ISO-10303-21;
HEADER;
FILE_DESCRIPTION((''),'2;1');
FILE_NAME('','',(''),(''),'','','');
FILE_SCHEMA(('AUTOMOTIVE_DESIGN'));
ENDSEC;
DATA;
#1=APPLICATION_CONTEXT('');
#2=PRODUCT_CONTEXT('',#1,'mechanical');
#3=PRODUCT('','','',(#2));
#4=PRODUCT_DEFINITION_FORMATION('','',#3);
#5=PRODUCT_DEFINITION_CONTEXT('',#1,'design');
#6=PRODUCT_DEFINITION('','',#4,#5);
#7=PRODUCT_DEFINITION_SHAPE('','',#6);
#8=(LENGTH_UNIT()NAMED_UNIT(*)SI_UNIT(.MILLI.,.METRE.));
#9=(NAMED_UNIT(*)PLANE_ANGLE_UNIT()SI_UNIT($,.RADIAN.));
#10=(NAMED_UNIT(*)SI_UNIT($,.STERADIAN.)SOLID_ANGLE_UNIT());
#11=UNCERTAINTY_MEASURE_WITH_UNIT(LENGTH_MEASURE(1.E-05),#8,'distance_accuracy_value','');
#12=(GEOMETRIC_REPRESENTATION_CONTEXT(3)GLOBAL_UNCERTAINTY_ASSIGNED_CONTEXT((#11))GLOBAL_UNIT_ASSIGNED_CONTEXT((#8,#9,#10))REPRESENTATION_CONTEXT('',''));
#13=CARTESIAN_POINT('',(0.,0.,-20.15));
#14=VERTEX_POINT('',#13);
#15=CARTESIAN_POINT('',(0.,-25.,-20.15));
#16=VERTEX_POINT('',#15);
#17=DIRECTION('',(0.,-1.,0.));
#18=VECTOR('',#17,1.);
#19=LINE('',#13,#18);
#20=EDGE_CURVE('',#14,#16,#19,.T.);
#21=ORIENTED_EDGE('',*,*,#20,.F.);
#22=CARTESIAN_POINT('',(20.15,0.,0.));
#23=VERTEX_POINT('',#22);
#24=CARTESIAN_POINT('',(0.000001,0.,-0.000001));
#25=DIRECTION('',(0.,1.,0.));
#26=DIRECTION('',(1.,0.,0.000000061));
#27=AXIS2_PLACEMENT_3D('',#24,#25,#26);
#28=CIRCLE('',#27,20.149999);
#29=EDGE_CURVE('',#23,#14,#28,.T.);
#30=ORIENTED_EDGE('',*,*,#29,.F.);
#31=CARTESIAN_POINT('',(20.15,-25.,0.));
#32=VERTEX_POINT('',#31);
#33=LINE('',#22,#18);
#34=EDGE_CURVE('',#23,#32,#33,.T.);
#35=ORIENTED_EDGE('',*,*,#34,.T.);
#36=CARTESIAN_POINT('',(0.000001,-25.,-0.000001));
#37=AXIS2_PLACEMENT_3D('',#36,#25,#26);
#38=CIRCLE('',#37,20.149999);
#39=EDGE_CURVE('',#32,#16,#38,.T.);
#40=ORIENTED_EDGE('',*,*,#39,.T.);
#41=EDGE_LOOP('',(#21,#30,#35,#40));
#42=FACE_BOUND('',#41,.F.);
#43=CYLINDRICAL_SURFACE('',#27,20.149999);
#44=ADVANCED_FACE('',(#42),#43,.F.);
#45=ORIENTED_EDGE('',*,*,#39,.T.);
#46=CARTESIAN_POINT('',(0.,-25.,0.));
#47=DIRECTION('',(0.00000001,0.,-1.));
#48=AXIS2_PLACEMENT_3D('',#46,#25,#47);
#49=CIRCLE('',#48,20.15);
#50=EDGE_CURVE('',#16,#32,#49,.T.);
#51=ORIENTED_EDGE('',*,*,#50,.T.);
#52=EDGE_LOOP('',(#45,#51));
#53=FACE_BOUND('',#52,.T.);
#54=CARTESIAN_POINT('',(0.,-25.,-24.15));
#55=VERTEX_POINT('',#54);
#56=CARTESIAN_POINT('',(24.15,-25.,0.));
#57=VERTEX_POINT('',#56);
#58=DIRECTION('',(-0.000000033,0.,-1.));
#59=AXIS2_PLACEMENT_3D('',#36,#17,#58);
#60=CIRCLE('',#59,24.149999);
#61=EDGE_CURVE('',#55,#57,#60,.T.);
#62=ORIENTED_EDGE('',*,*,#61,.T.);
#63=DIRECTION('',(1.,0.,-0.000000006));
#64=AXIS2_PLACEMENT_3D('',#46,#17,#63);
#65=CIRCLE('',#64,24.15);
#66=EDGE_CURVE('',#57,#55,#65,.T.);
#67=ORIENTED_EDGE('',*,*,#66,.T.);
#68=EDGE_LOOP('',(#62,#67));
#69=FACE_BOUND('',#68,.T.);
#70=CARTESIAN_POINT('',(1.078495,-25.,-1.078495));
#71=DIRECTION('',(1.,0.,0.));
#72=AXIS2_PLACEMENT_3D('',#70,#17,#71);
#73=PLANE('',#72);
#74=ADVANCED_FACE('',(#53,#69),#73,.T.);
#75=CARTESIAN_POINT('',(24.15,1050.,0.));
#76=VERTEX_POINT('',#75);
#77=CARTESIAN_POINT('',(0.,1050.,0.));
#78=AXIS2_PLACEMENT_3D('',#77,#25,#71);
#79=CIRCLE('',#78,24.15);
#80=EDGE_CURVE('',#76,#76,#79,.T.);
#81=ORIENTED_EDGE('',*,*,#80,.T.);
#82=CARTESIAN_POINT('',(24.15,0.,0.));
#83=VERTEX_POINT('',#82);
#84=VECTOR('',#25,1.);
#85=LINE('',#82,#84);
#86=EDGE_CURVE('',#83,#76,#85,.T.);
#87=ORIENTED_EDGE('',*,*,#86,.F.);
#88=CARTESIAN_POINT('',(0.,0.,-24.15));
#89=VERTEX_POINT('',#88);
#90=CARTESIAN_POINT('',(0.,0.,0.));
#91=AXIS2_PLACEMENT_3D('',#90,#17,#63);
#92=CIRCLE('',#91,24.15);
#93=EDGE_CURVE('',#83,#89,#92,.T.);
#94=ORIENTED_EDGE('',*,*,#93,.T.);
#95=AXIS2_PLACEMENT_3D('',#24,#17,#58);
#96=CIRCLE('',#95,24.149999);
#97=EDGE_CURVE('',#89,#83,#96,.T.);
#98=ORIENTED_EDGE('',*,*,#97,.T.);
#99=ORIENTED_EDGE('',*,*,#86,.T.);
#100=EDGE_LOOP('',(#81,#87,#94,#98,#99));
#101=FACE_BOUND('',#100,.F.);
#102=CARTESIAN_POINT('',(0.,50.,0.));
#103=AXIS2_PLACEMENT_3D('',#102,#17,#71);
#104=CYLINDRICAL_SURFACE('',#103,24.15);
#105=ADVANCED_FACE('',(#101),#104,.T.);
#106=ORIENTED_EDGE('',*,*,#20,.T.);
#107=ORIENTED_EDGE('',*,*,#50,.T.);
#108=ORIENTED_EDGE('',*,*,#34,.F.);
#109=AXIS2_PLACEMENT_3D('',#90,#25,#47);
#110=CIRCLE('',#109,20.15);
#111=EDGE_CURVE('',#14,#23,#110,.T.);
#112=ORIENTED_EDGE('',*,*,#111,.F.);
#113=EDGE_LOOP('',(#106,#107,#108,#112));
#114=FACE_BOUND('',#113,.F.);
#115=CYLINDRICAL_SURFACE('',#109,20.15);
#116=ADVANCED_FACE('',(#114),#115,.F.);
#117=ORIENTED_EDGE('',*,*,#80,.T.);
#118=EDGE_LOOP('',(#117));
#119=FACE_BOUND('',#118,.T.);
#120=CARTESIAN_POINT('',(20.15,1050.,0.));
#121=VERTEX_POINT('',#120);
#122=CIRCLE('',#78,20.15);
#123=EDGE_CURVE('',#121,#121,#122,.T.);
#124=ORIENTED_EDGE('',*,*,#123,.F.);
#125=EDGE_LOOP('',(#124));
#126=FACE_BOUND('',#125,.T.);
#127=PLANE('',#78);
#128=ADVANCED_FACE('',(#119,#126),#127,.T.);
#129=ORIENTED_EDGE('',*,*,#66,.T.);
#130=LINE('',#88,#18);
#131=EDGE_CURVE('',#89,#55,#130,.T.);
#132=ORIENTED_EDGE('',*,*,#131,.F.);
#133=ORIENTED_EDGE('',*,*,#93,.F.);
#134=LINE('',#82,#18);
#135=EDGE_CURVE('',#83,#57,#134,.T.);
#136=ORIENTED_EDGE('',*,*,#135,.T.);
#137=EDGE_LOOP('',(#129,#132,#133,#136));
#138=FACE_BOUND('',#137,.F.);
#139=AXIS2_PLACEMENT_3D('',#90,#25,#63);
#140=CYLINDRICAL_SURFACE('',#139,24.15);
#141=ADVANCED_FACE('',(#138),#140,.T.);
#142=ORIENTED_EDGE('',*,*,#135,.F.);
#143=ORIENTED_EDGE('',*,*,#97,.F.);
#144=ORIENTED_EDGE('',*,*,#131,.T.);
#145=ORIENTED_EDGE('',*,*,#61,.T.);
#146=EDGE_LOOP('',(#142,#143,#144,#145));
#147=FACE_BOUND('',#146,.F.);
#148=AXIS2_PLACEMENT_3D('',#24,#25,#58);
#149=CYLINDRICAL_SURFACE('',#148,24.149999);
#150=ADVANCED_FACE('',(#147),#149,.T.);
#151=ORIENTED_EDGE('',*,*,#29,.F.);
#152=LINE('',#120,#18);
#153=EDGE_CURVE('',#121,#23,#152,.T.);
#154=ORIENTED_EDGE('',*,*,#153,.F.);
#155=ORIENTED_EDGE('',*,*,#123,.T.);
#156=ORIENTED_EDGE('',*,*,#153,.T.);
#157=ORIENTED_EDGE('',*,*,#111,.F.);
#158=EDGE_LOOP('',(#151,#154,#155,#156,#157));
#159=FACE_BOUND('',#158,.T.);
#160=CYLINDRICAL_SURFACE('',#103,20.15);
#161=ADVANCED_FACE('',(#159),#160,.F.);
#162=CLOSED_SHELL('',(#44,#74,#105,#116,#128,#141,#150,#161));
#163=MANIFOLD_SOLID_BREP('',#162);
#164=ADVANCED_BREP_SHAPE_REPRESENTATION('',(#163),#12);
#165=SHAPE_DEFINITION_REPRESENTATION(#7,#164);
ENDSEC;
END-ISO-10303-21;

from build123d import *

# Parameters (mm, degrees)
F1_DEPTH    = 25
F1_FACE_R   = 24.15
F1_FACE_R_2 = 20.15
F2_DEPTH    = 50
F2_FACE_R   = 24.15
F2_FACE_R_2 = 20.15
F3_DEPTH    = 1000


with BuildPart() as f1:
    # F0 (on Front) → F1 (new body)
    with BuildSketch(Plane.XZ):
        with BuildLine():
            ThreePointArc((0, -24.15), (17.076629, -17.076629), (24.15, 0))
            ThreePointArc((24.15, 0), (-17.076629, 17.076629), (0, -24.15))
        make_face()
        with BuildLine():
            ThreePointArc((20.15, 0), (14.248202, -14.248202), (0, -20.15))
            ThreePointArc((0, -20.15), (-14.248202, 14.248202), (20.15, 0))
        make_face(mode=Mode.SUBTRACT)
    extrude(amount=F1_DEPTH)

    # F1_face (on face) → F2 (join)
    with BuildSketch(Plane(origin=(0, 0, 0), x_dir=(1, 0, 0), z_dir=(0, 1, 0))):
        Circle(F1_FACE_R)
        Circle(F1_FACE_R_2, mode=Mode.SUBTRACT)
    extrude(amount=F2_DEPTH)

    # F2_face (on face) → F3 (join)
    with BuildSketch(Plane(origin=(0, 50, 0), x_dir=(1, 0, 0), z_dir=(0, 1, 0))):
        Circle(F2_FACE_R)
        Circle(F2_FACE_R_2, mode=Mode.SUBTRACT)
    extrude(amount=F3_DEPTH)


solid = f1.part
